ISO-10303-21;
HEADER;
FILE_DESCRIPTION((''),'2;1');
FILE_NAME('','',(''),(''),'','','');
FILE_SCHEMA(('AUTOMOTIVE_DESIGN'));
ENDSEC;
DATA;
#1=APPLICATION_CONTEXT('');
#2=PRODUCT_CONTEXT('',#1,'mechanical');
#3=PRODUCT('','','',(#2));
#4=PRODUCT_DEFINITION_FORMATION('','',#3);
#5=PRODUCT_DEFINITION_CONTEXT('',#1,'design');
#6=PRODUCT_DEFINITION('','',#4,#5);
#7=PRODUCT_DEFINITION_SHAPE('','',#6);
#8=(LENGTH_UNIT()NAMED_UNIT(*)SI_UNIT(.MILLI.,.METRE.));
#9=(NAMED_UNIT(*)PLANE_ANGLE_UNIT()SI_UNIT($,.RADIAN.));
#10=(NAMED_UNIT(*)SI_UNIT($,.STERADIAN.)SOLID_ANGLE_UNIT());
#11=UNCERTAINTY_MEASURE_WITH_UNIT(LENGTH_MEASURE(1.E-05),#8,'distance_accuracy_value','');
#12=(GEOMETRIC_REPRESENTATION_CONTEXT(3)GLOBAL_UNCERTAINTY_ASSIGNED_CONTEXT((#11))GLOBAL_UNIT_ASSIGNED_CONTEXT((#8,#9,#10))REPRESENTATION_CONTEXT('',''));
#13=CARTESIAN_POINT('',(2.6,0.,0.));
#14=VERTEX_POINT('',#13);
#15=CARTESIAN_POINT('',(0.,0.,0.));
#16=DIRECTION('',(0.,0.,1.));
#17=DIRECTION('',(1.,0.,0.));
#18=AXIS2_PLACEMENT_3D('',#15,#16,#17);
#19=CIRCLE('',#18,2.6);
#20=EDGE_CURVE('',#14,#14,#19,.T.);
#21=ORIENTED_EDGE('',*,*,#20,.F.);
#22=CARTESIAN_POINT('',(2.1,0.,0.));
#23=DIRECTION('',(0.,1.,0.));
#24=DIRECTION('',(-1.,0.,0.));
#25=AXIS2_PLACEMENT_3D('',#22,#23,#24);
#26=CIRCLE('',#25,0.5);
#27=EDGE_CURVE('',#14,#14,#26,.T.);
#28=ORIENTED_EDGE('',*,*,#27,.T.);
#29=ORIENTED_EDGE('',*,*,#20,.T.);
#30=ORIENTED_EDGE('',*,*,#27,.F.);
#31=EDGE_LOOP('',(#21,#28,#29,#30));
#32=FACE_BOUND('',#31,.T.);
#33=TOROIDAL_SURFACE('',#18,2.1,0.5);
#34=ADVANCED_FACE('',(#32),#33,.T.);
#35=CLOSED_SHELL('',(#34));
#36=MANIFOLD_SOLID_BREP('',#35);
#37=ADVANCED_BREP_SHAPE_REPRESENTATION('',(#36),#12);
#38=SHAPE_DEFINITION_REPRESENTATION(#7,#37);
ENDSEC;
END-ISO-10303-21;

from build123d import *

# Parameters (mm, degrees)
SWEEP1_PROFILE_R = 0.5


with BuildPart() as part:
    # Sweep1: sweep along a path in Sketch1
    with BuildLine(Plane.XY) as sweep1_path:
        CenterArc((0, 0), 2.1, 0, 360)
    # Sweep1 profile (on start of the path) → Sweep1 (sweep)
    with BuildSketch(Plane(origin=(2.1, 0, 0), x_dir=(0, 0, 1), z_dir=(0, 1, 0))):
        Circle(SWEEP1_PROFILE_R)
    sweep(path=sweep1_path.line)


solid = part.part
